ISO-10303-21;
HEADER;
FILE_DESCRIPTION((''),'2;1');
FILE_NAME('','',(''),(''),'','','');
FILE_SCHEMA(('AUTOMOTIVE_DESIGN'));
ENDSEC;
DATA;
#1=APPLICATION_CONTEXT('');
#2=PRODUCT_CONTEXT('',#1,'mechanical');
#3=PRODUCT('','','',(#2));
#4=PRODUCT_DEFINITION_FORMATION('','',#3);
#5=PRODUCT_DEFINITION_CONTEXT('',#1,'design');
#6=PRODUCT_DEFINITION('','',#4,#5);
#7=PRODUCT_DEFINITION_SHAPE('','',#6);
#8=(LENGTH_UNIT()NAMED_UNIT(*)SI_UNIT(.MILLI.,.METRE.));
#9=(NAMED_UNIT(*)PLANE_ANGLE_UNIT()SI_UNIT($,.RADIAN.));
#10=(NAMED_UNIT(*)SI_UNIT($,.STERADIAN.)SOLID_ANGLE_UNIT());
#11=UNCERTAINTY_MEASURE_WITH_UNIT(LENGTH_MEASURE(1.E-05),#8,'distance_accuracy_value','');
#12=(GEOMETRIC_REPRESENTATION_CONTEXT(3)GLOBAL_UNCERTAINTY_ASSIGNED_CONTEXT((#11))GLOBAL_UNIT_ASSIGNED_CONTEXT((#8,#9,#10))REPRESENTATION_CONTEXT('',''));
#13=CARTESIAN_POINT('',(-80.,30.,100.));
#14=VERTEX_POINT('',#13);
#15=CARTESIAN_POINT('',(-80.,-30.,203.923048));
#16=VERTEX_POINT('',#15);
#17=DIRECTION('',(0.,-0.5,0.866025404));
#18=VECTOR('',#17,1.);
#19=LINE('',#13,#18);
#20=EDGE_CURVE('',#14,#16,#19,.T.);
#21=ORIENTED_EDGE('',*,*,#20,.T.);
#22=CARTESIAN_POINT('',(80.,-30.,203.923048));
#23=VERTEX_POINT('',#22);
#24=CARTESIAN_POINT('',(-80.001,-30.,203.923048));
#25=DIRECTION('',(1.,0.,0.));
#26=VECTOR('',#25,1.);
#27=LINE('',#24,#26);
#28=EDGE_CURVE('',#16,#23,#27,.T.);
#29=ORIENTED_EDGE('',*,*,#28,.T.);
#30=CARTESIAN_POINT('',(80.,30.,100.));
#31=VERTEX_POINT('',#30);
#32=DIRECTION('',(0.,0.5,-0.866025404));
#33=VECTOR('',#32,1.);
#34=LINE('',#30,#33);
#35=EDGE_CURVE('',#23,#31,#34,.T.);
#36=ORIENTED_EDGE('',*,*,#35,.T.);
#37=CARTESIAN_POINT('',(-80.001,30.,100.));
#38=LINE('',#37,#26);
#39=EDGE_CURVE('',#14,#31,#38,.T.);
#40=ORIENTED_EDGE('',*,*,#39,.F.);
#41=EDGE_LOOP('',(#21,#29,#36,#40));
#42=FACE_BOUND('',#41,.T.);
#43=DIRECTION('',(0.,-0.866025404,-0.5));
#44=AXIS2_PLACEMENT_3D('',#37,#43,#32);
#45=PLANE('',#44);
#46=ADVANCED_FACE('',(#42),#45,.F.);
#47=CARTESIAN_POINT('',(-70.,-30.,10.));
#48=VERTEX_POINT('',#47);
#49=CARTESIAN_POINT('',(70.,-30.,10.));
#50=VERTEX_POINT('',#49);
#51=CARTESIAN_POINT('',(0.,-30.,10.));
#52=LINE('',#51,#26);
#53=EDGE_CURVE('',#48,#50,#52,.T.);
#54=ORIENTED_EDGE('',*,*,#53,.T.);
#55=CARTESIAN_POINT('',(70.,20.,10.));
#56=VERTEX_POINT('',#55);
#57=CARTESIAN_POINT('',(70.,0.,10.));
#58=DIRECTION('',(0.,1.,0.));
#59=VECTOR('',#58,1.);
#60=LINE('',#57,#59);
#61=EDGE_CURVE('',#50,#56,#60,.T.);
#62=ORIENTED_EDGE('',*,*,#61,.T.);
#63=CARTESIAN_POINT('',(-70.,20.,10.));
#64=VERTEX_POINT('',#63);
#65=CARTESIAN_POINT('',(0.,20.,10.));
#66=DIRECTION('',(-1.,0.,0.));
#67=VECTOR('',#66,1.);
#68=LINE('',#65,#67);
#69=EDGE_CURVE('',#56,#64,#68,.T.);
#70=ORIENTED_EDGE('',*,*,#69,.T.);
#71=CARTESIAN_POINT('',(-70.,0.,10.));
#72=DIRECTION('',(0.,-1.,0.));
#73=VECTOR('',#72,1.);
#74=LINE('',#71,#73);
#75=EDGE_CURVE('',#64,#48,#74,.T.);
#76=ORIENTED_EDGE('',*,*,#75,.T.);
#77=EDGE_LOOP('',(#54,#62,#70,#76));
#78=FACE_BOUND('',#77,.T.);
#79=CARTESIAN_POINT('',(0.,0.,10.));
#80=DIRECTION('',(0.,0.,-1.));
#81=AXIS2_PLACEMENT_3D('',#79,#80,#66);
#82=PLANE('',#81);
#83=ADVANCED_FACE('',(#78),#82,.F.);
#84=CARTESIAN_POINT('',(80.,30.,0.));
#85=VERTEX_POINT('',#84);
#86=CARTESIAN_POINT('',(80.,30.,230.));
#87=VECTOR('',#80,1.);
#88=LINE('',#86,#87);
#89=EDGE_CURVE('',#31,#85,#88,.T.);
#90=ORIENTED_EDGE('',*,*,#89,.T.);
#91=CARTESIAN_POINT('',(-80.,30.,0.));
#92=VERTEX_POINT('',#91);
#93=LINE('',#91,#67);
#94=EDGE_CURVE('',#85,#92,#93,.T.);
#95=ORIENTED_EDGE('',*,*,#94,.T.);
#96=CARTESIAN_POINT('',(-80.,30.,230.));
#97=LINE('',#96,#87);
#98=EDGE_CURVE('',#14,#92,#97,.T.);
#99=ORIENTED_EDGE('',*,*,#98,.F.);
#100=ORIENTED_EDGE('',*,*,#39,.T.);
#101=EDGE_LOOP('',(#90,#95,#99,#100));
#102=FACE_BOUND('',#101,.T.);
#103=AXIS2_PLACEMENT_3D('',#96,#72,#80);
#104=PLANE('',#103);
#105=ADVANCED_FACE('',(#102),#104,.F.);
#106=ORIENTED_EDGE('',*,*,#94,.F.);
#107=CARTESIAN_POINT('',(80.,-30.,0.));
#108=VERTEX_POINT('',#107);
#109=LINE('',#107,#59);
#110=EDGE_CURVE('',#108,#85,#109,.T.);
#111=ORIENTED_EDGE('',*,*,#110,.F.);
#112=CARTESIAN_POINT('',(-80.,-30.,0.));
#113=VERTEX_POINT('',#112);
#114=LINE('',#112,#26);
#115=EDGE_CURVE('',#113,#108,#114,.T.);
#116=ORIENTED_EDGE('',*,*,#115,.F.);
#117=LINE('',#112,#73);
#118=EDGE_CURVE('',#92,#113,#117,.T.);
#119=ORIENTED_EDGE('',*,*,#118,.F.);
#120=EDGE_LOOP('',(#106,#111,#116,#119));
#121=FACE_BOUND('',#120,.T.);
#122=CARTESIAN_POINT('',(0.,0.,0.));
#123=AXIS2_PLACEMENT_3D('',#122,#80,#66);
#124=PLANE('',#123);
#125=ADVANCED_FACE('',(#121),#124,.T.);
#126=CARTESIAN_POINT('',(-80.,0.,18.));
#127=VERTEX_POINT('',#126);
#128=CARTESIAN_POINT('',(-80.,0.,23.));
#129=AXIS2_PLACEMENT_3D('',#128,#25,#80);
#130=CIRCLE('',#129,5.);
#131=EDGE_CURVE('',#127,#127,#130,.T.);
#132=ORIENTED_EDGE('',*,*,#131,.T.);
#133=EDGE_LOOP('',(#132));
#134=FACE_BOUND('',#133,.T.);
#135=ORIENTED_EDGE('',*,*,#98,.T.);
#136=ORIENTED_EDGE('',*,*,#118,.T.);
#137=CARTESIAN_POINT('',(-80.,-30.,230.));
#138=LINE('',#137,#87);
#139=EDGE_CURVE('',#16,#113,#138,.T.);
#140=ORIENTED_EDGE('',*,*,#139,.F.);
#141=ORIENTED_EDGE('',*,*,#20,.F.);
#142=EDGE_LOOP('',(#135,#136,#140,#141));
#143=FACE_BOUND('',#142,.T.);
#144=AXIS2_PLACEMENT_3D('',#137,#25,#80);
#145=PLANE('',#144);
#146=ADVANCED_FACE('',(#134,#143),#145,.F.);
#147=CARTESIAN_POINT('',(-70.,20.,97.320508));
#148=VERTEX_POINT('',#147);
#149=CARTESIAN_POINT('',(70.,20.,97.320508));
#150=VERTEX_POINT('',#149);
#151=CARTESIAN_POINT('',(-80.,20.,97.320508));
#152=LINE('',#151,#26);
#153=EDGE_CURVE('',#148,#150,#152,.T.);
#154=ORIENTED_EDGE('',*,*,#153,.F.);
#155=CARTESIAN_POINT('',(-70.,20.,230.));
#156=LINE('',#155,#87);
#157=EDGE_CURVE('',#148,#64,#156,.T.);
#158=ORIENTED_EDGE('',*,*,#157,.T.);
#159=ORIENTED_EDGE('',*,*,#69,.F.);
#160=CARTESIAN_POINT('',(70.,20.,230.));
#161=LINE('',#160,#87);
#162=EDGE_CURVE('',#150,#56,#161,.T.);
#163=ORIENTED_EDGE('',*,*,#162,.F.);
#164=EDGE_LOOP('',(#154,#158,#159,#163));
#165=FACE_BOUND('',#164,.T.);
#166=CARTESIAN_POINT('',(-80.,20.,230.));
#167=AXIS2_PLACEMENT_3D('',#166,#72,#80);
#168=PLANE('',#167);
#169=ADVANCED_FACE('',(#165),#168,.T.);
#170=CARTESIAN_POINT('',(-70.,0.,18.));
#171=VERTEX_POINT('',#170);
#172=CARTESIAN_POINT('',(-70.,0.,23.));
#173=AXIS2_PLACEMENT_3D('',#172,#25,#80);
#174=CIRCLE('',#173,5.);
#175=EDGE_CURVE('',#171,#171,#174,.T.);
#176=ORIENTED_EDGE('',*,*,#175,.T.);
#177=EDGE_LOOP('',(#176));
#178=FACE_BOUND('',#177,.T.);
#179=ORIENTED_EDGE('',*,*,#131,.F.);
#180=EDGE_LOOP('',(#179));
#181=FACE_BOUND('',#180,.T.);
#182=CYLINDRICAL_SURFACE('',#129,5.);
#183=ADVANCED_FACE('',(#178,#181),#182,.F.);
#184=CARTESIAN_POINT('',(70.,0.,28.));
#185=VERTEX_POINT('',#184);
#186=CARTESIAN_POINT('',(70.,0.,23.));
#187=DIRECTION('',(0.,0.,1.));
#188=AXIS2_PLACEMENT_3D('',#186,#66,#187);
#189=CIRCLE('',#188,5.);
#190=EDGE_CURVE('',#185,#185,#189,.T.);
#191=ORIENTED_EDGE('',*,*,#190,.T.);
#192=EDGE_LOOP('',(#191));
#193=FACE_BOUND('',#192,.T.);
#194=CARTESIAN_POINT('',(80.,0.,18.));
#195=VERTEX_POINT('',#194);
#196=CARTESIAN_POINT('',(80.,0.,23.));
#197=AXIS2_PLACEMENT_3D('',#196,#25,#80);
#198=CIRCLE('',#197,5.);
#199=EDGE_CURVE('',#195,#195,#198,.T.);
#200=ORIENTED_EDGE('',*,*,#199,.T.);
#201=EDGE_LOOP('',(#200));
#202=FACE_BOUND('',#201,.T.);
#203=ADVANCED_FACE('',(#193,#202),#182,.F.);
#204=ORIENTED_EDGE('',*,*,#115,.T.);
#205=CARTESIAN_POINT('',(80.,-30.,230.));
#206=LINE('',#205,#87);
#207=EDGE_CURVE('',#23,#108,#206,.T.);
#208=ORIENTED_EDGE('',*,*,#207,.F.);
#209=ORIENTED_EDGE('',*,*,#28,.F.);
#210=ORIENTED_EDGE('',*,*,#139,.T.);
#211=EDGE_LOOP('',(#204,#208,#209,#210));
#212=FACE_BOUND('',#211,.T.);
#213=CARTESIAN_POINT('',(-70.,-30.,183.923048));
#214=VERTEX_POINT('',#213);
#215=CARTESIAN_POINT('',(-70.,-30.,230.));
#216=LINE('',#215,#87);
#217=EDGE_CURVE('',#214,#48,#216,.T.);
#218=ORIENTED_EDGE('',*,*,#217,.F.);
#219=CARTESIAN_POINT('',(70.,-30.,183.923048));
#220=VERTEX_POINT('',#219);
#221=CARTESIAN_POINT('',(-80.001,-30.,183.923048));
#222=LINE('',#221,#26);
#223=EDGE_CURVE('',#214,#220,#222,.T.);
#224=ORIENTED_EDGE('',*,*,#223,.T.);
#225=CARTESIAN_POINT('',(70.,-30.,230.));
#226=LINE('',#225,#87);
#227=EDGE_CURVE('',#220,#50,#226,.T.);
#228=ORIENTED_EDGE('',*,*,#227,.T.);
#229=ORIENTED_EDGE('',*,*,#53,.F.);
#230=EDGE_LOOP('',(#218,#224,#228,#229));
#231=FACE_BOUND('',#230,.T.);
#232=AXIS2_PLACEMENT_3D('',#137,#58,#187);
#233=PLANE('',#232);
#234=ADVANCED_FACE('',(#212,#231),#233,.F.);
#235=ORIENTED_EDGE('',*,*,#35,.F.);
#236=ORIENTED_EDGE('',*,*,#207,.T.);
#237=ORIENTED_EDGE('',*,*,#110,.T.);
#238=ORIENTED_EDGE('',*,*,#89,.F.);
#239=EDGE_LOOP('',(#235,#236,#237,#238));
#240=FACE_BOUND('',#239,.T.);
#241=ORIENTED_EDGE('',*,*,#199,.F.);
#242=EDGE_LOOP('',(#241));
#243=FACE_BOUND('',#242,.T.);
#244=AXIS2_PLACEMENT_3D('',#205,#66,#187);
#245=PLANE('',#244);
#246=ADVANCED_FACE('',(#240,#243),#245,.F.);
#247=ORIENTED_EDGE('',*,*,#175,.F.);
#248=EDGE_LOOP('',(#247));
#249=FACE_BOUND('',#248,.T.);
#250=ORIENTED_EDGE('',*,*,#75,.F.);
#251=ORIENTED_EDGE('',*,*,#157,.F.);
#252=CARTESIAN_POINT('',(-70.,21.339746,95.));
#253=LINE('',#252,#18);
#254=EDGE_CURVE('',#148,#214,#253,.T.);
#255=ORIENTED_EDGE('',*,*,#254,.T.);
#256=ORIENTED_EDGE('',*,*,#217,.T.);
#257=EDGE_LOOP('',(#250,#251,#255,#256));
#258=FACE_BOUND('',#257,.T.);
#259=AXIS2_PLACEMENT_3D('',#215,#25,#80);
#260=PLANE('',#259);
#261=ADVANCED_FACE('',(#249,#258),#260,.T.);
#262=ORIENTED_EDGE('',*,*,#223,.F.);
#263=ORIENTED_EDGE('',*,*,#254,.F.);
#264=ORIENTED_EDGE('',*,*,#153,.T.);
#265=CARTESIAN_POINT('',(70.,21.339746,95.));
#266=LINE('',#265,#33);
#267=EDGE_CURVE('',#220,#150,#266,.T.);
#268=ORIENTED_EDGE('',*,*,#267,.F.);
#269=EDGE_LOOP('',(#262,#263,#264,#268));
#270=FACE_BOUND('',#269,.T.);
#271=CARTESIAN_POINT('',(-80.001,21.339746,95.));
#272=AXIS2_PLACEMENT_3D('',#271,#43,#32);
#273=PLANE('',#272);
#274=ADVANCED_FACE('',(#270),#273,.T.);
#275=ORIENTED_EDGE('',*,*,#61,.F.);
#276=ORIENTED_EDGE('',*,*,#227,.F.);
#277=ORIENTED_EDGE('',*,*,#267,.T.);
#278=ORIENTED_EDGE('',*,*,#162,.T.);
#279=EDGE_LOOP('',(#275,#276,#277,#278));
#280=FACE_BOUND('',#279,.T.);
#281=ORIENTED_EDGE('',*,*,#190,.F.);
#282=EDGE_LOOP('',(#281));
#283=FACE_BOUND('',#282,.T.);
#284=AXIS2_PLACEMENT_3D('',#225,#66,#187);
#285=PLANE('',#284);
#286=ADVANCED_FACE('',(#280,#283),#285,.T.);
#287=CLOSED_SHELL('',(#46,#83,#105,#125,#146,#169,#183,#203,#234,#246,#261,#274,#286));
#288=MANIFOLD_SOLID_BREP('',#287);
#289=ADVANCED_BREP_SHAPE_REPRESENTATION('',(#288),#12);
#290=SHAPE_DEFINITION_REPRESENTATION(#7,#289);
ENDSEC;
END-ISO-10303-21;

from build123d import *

# Parameters (mm, degrees)
SKETCH2_W           = 160
SKETCH2_H           = 60
BOSS_EXTRUDE1_DEPTH = 230
CUT_EXTRUDE1_REACH  = 162
SHELL1_T            = -10
SKETCH5_R           = 5
CUT_EXTRUDE2_DEPTH  = 161


with BuildPart() as part:
    # Sketch2 → Boss-Extrude1 (new body)
    with BuildSketch(Plane.XY):
        Rectangle(SKETCH2_W, SKETCH2_H)
    extrude(amount=BOSS_EXTRUDE1_DEPTH)

    # Sketch3 → Cut-Extrude1 (cut, up to next)
    with BuildSketch(Plane(origin=(80, 0, 0), x_dir=(0, 0, -1), z_dir=(1, 0, 0)), mode=Mode.PRIVATE) as cut_extrude1_sk1:
        Polygon((-100, 30), (-203.923048454, -30), (-230, -30), (-230, 30), align=None)
    cut_extrude1_tool1 = extrude(cut_extrude1_sk1.sketch, amount=-CUT_EXTRUDE1_REACH, mode=Mode.PRIVATE) & part.part
    add(cut_extrude1_tool1.solids().sort_by_distance((80, 6.658449, 185.214376))[0], mode=Mode.SUBTRACT)

    # Shell1
    shell1_openings = [part.faces().sort_by_distance(p)[0] for p in [
        (0, -30, 101.961524227),
    ]]
    offset(amount=SHELL1_T, openings=shell1_openings, kind=Kind.INTERSECTION)

    # Sketch5 → Cut-Extrude2 (cut, through all)
    with BuildSketch(Plane(origin=(80, 0, 0), x_dir=(0, 0, -1), z_dir=(1, 0, 0))):
        with Locations((-23, 0)):
            Circle(SKETCH5_R)
    extrude(amount=-CUT_EXTRUDE2_DEPTH, mode=Mode.SUBTRACT)


solid = part.part
